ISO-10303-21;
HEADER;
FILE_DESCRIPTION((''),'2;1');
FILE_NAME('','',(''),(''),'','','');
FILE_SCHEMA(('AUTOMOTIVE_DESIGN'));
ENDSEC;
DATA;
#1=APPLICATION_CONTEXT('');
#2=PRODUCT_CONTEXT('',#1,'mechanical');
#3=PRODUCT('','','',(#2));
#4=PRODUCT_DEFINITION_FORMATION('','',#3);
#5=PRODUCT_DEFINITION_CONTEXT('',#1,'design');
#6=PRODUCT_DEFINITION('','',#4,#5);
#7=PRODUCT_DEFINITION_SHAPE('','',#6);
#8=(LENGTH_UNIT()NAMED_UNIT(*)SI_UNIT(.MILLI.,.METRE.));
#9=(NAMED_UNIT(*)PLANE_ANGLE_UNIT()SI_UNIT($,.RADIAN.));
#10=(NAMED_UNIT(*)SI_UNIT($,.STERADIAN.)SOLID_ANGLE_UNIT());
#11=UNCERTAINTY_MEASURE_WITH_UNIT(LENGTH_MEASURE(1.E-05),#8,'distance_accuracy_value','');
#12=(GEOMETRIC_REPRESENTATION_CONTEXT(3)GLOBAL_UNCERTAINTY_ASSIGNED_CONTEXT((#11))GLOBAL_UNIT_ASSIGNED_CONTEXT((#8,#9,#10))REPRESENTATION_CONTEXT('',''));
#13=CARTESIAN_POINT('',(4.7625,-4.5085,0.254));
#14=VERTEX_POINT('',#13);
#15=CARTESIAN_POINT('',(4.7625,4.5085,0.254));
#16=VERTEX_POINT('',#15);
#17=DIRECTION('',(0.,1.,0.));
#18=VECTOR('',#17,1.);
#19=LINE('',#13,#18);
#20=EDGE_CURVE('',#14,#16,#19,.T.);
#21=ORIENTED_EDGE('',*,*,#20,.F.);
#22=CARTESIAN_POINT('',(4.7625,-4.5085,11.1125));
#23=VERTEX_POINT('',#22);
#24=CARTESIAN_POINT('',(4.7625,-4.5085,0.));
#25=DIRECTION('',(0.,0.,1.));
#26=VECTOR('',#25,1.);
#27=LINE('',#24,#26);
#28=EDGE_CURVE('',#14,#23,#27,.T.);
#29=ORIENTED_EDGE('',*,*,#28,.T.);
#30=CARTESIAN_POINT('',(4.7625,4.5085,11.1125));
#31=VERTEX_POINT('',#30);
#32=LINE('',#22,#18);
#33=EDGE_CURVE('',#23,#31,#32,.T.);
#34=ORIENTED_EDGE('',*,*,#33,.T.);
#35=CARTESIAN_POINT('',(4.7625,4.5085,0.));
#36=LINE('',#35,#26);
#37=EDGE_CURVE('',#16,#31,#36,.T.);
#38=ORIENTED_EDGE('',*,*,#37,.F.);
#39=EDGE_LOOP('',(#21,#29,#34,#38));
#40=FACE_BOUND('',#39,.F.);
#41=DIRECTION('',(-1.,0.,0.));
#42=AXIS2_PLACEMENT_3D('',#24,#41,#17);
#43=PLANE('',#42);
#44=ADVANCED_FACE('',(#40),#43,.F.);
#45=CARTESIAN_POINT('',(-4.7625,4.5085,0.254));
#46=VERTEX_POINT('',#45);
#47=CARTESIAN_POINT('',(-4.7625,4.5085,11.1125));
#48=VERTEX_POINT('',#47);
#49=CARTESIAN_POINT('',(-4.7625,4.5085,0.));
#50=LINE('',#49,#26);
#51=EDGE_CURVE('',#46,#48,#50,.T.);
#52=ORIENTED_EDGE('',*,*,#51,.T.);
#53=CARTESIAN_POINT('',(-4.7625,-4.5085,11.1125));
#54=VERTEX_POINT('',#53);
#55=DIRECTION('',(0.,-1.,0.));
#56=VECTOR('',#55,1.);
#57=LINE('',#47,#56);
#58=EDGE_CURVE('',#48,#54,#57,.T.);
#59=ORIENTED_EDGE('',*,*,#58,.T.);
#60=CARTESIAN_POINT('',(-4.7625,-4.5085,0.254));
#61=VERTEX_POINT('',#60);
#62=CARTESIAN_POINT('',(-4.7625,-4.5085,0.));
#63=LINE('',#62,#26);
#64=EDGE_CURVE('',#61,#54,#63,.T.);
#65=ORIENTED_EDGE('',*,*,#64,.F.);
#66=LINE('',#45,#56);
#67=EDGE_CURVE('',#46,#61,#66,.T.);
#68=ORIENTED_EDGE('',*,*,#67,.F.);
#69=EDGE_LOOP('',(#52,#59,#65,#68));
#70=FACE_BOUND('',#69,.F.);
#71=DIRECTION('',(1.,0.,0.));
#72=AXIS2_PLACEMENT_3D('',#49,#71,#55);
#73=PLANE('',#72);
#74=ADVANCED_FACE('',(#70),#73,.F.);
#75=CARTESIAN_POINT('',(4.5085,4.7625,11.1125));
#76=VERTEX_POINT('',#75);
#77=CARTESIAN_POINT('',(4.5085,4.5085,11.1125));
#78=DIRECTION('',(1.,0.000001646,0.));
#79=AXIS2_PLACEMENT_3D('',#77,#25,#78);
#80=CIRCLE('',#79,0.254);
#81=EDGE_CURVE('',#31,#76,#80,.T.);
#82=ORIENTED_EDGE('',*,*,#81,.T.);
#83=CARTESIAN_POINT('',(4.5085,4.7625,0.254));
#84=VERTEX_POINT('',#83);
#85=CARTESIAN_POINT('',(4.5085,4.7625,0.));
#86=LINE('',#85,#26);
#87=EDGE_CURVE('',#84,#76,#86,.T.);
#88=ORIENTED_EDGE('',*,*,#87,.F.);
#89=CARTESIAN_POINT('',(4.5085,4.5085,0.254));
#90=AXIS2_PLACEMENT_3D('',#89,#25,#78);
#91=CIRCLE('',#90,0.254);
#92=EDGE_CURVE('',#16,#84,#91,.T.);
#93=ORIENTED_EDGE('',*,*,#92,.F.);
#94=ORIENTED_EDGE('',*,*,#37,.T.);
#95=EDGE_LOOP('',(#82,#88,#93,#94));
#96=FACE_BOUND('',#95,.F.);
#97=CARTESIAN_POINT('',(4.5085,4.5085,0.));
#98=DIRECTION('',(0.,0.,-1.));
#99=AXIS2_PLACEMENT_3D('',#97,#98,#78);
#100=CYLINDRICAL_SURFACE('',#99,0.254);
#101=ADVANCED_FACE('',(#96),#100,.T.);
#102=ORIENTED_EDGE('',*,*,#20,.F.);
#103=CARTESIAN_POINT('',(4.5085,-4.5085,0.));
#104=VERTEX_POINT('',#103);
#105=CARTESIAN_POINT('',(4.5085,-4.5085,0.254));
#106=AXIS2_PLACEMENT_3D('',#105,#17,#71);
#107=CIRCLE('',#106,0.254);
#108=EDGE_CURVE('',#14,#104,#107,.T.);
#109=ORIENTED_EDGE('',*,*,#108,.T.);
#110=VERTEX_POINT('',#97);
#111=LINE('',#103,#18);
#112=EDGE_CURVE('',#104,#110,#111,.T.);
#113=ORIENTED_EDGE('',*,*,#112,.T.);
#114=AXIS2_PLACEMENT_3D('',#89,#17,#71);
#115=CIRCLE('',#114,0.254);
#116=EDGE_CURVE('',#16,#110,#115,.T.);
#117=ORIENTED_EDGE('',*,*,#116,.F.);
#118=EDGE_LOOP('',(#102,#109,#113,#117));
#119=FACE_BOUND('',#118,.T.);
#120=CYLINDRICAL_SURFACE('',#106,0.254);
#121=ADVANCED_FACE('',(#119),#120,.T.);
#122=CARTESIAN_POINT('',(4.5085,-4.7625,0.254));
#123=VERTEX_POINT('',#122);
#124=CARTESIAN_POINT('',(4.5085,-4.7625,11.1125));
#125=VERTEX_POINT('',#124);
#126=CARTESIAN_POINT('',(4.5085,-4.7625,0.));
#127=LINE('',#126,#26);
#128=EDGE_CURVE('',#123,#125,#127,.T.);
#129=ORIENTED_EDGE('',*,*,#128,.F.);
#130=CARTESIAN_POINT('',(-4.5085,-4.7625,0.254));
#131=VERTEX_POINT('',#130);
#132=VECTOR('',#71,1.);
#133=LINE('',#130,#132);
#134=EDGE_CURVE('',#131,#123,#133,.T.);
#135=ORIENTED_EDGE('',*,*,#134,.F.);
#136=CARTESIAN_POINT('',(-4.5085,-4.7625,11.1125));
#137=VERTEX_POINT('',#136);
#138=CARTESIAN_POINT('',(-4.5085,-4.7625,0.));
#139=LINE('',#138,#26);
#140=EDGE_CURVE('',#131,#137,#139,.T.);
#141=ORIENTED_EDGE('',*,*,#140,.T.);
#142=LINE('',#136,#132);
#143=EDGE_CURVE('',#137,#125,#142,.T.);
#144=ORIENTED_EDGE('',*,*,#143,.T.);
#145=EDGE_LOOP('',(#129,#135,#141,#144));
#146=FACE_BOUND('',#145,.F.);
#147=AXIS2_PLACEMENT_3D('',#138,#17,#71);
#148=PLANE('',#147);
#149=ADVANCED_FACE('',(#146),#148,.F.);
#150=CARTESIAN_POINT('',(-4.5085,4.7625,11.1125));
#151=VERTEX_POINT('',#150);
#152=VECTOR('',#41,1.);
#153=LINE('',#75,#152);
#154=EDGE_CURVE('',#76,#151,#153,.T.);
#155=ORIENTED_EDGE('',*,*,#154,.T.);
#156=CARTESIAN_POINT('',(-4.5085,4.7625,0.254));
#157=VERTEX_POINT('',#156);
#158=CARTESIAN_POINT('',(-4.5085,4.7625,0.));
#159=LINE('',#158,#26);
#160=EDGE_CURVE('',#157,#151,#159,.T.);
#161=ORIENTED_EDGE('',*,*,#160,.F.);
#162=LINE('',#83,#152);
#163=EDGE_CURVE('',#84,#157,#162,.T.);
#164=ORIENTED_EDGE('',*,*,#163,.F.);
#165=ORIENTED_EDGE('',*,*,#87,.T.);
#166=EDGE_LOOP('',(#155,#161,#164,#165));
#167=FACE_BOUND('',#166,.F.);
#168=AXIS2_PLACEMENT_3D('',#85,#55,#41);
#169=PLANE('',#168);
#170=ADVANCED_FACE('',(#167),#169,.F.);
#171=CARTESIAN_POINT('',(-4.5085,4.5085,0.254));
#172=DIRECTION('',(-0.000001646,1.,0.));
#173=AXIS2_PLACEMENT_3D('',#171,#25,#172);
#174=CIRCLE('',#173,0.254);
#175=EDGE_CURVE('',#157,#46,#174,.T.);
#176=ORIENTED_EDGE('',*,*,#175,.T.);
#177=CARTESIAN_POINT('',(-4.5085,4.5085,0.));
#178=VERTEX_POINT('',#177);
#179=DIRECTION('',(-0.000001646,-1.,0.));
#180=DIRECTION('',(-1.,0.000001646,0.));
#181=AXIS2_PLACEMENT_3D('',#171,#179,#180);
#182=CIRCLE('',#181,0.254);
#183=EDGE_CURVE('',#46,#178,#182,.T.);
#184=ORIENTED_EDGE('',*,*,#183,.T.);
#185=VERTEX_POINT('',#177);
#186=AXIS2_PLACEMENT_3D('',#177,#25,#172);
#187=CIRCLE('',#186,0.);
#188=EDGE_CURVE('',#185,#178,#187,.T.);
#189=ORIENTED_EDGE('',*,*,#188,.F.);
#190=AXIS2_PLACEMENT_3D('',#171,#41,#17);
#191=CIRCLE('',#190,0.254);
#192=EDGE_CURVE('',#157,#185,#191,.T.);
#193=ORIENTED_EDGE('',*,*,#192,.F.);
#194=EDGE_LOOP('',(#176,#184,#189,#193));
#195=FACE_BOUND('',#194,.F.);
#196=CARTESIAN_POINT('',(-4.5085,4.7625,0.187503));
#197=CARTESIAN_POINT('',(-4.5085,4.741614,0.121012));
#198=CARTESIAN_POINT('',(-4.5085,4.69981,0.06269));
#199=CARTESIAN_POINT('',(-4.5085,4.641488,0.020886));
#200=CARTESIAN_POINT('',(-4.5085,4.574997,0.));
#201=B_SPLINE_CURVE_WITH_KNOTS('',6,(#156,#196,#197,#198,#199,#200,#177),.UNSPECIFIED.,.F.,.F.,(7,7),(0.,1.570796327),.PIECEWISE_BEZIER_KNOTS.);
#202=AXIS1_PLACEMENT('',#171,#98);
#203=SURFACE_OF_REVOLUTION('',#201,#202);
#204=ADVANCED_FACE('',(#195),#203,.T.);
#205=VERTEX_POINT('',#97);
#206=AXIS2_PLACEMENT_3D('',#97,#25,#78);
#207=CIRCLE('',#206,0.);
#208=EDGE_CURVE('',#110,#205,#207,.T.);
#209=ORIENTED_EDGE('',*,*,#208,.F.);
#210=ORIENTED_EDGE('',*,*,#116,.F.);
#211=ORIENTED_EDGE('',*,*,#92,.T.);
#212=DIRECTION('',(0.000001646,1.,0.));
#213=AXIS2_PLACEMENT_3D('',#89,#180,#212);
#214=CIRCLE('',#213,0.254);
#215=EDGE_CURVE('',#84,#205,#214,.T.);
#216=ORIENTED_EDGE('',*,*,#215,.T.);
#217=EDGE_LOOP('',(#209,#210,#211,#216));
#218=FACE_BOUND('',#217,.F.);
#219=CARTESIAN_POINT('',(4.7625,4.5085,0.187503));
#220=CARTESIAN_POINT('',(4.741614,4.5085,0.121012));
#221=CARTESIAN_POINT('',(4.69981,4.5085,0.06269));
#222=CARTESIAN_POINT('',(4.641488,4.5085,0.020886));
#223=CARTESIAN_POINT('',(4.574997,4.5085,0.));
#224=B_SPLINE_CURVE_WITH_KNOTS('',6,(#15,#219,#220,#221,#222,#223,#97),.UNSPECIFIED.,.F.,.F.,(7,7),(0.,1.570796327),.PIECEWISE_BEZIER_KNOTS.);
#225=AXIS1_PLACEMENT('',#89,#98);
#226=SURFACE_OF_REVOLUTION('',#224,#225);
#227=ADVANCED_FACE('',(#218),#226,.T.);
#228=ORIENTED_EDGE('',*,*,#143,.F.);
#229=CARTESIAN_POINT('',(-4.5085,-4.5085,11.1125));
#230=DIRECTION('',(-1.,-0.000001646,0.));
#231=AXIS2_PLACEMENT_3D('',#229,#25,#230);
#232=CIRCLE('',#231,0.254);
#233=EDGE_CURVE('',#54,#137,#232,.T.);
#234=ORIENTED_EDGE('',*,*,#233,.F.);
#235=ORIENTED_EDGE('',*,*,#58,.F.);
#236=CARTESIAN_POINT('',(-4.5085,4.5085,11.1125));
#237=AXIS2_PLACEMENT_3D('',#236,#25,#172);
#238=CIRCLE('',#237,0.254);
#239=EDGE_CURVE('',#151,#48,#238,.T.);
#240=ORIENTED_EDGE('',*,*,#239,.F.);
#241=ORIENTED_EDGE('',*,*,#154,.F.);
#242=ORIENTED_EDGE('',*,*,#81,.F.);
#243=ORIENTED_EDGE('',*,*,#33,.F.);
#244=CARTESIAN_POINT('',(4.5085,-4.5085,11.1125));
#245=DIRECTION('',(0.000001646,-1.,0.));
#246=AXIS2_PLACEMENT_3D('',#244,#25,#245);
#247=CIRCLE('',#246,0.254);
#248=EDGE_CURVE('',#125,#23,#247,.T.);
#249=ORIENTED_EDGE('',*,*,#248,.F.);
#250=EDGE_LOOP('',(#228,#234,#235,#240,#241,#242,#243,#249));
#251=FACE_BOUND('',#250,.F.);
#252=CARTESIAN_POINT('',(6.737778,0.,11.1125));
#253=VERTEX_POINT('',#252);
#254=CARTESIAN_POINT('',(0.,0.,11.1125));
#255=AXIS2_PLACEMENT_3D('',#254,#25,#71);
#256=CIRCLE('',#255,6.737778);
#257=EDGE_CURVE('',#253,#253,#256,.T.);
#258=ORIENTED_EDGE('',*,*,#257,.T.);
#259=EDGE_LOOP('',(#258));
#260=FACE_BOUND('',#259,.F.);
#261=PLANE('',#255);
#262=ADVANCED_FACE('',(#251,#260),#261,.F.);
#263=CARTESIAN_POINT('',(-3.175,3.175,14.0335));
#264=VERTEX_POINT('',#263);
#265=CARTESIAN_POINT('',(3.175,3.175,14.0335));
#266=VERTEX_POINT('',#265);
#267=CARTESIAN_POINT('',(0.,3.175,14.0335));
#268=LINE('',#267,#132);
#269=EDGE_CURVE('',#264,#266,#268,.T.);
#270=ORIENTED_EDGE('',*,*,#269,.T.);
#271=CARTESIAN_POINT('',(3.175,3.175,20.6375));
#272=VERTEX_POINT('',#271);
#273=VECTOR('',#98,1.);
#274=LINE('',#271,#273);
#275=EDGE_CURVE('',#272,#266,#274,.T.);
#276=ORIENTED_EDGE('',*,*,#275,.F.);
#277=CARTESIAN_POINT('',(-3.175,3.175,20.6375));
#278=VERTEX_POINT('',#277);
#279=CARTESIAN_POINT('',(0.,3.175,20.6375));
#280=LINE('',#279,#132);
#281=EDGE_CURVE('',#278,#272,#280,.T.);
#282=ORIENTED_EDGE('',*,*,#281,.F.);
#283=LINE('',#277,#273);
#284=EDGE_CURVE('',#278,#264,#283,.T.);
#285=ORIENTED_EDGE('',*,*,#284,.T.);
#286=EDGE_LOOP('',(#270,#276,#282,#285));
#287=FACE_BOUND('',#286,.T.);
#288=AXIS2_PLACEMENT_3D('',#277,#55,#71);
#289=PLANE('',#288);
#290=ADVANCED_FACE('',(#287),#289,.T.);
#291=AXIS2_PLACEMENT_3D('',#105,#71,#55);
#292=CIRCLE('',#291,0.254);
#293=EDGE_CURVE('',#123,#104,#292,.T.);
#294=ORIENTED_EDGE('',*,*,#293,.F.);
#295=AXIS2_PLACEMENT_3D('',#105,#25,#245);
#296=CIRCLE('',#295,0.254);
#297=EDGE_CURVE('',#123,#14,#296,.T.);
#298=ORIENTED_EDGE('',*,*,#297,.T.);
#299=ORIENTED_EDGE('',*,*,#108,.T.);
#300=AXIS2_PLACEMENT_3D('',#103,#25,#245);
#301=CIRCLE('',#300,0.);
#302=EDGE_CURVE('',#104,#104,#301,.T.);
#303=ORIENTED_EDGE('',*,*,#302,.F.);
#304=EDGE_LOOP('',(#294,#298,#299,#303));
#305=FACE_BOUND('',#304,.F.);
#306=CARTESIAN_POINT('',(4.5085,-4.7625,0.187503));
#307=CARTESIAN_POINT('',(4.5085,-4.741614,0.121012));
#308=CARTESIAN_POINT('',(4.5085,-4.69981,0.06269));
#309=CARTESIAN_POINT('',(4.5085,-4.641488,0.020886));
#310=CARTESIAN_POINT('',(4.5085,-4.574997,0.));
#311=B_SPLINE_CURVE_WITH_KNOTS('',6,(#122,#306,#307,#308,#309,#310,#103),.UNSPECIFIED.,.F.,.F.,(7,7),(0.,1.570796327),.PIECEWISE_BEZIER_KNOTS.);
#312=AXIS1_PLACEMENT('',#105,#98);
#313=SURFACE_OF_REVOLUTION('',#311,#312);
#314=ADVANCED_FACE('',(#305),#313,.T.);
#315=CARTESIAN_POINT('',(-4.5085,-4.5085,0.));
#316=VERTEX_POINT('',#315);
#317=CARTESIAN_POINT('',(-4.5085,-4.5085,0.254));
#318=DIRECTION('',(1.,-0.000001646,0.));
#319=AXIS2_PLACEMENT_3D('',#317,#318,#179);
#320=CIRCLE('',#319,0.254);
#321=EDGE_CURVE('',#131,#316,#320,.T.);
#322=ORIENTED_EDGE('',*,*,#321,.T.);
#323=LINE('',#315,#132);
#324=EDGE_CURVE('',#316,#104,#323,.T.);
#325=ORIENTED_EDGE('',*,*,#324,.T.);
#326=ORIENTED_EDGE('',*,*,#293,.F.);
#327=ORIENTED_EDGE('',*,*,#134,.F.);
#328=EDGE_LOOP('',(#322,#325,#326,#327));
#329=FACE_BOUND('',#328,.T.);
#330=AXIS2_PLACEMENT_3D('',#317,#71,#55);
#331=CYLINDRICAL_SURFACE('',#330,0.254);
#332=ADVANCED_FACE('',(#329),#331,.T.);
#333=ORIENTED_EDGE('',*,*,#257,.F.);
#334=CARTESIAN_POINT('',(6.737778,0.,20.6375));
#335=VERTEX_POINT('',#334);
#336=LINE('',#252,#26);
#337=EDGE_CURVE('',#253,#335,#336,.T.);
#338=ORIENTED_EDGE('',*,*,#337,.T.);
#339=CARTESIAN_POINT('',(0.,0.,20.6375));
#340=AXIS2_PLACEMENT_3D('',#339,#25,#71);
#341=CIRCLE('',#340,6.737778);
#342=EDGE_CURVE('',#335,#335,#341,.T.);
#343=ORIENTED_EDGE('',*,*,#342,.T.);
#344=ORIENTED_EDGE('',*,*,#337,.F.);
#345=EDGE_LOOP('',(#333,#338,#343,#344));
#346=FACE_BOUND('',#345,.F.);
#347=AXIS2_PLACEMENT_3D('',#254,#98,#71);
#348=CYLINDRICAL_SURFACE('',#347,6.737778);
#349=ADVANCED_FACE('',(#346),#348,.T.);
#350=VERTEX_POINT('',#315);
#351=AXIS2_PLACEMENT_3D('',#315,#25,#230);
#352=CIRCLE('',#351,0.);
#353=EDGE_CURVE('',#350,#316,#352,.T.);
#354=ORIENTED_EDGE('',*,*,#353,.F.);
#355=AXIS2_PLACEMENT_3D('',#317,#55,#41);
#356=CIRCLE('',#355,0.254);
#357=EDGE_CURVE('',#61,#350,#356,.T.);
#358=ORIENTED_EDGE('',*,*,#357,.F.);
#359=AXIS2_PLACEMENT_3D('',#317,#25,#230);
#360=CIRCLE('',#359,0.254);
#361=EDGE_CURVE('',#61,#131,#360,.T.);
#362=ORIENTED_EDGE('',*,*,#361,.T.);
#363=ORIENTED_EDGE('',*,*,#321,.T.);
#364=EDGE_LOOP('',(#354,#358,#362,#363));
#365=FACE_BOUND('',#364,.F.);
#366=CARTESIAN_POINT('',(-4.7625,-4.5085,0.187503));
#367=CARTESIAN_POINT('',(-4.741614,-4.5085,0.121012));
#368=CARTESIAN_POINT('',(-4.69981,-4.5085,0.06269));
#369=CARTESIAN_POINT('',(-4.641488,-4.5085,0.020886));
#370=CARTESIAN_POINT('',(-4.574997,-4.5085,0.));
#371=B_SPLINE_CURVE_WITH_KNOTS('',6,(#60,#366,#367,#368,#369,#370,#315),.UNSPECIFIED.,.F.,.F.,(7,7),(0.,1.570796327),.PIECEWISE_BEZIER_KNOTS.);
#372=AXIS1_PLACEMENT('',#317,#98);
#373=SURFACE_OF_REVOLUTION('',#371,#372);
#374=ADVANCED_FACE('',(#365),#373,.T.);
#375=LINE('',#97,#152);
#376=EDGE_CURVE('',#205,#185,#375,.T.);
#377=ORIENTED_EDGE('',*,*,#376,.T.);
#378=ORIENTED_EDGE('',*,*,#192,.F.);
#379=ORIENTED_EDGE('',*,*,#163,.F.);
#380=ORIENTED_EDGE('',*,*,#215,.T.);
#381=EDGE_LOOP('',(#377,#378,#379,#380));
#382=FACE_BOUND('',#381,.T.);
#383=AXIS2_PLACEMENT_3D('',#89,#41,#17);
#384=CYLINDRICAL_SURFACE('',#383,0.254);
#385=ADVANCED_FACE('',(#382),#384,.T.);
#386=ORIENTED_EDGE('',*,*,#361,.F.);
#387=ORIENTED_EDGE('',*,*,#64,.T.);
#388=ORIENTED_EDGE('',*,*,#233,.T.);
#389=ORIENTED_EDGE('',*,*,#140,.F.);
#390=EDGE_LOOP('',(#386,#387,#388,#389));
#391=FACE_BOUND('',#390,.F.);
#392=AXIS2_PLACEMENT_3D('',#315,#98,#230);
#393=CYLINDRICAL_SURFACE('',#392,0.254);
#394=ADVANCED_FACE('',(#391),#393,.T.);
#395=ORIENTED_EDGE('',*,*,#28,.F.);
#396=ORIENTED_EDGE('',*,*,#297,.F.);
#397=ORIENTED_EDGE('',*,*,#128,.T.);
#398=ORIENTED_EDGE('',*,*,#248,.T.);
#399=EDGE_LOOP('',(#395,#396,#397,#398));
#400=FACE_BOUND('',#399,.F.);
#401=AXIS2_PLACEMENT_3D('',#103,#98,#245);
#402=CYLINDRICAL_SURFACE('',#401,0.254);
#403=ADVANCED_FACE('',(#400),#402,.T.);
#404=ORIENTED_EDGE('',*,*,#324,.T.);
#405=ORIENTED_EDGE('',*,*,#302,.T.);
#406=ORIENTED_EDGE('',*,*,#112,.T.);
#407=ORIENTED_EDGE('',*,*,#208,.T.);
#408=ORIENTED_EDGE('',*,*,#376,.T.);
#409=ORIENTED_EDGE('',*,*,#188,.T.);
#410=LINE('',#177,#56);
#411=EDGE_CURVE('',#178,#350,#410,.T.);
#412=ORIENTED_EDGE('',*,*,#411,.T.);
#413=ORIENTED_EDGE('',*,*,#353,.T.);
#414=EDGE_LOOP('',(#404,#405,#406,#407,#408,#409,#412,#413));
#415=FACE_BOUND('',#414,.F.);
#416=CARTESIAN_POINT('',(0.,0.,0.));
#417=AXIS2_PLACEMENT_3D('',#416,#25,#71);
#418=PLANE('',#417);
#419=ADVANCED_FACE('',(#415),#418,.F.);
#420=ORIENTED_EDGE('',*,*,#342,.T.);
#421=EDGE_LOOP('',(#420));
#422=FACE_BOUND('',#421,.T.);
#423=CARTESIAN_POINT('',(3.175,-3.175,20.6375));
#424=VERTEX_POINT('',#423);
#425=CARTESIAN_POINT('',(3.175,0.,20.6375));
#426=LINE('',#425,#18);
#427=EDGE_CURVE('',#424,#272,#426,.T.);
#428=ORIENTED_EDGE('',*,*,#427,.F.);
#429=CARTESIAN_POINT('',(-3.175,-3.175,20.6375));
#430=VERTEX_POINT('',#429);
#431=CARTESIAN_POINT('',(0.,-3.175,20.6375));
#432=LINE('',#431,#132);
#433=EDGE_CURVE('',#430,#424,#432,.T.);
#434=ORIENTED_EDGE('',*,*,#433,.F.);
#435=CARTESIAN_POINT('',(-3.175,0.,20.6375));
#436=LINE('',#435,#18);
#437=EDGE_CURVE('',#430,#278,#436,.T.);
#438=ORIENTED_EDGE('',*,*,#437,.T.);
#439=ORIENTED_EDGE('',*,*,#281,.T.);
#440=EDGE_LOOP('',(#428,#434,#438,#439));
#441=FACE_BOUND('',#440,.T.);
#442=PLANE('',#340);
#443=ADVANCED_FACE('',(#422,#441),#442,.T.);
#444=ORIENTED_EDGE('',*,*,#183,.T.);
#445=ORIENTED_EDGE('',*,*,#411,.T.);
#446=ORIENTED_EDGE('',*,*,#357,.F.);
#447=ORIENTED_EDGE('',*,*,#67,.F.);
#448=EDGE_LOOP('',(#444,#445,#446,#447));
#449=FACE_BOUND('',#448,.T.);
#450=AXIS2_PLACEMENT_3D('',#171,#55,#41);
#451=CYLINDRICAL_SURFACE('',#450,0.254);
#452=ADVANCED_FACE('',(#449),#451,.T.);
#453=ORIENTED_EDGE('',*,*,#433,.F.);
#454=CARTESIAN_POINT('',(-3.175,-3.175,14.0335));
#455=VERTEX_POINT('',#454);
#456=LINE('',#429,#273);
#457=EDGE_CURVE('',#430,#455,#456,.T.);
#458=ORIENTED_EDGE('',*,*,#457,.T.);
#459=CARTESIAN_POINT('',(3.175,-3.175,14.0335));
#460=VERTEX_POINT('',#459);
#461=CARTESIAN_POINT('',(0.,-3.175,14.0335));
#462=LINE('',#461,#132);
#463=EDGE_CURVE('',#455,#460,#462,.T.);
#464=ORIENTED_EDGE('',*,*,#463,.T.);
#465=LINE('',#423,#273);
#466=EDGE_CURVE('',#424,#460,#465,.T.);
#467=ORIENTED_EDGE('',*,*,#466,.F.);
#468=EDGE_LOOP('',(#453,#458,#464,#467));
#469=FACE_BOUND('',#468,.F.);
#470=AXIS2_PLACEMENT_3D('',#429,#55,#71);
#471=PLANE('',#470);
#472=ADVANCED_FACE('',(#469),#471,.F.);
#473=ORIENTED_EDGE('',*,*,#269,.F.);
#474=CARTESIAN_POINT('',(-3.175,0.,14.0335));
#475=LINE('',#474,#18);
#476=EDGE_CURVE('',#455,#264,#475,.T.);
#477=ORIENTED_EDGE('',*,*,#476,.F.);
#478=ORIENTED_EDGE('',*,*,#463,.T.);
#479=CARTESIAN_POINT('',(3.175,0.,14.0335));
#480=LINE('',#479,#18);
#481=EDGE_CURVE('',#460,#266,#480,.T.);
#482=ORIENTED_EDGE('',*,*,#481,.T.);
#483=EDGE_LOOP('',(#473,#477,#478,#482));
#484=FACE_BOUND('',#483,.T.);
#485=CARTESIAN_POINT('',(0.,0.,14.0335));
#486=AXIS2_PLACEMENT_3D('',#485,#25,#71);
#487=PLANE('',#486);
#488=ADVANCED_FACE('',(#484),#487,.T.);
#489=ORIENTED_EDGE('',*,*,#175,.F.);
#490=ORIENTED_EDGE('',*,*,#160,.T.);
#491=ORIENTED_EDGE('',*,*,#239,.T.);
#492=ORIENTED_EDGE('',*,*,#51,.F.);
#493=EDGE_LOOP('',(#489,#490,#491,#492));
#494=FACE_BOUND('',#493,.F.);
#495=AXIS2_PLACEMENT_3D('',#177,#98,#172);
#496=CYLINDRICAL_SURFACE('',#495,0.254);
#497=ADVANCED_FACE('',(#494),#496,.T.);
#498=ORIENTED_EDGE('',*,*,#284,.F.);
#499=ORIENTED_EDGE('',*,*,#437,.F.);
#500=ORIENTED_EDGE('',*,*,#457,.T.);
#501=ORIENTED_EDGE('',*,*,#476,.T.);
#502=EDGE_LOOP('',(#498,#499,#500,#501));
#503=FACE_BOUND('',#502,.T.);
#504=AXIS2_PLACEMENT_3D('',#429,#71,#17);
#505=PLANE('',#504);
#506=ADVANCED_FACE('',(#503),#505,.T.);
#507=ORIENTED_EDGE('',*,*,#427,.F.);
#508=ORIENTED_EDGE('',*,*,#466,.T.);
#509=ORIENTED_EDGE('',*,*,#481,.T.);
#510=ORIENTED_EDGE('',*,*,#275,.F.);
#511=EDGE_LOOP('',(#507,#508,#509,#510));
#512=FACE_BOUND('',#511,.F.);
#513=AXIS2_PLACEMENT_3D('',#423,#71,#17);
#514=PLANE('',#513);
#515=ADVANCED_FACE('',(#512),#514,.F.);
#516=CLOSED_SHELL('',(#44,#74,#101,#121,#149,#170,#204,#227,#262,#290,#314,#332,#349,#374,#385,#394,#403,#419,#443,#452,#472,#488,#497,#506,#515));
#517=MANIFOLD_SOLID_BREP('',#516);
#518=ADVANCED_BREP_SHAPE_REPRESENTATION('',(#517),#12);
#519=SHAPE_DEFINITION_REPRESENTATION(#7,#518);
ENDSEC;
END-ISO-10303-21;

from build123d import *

# Parameters (mm, degrees)
F1_DEPTH = 11.1125
F2_R     = 0.254
F3_R     = 6.737778
F4_DEPTH = 9.525
F5_W     = 6.35
F5_H     = 6.35
F6_DEPTH = 6.604


with BuildPart() as f1:
    # F0 (on Top) → F1 (new body)
    with BuildSketch(Plane.XY):
        with BuildLine():
            ThreePointArc((4.7625, 4.5085), (4.688105, 4.688105), (4.5085, 4.7625))
            Line((4.5085, 4.7625), (-4.5085, 4.7625))
            ThreePointArc((-4.5085, 4.7625), (-4.688105, 4.688105), (-4.7625, 4.5085))
            Line((-4.7625, 4.5085), (-4.7625, -4.5085))
            ThreePointArc((-4.7625, -4.5085), (-4.688105, -4.688105), (-4.5085, -4.7625))
            Line((-4.5085, -4.7625), (4.5085, -4.7625))
            ThreePointArc((4.5085, -4.7625), (4.688105, -4.688105), (4.7625, -4.5085))
            Line((4.7625, -4.5085), (4.7625, 4.5085))
        make_face()
    extrude(amount=F1_DEPTH)

    # F2
    f2_edges = [f1.edges().sort_by_distance(p)[0] for p in [
        (4.7625, 0, 0),
    ]]
    fillet(f2_edges, radius=F2_R)

    # F3 (on face) → F4 (join)
    with BuildSketch(Plane.XY.offset(11.1125)):
        Circle(F3_R)
    extrude(amount=F4_DEPTH)

    # F5 (on face) → F6 (cut)
    with BuildSketch(Plane.XY.offset(20.6375)):
        Rectangle(F5_W, F5_H)
    extrude(amount=-F6_DEPTH, mode=Mode.SUBTRACT)


solid = f1.part
